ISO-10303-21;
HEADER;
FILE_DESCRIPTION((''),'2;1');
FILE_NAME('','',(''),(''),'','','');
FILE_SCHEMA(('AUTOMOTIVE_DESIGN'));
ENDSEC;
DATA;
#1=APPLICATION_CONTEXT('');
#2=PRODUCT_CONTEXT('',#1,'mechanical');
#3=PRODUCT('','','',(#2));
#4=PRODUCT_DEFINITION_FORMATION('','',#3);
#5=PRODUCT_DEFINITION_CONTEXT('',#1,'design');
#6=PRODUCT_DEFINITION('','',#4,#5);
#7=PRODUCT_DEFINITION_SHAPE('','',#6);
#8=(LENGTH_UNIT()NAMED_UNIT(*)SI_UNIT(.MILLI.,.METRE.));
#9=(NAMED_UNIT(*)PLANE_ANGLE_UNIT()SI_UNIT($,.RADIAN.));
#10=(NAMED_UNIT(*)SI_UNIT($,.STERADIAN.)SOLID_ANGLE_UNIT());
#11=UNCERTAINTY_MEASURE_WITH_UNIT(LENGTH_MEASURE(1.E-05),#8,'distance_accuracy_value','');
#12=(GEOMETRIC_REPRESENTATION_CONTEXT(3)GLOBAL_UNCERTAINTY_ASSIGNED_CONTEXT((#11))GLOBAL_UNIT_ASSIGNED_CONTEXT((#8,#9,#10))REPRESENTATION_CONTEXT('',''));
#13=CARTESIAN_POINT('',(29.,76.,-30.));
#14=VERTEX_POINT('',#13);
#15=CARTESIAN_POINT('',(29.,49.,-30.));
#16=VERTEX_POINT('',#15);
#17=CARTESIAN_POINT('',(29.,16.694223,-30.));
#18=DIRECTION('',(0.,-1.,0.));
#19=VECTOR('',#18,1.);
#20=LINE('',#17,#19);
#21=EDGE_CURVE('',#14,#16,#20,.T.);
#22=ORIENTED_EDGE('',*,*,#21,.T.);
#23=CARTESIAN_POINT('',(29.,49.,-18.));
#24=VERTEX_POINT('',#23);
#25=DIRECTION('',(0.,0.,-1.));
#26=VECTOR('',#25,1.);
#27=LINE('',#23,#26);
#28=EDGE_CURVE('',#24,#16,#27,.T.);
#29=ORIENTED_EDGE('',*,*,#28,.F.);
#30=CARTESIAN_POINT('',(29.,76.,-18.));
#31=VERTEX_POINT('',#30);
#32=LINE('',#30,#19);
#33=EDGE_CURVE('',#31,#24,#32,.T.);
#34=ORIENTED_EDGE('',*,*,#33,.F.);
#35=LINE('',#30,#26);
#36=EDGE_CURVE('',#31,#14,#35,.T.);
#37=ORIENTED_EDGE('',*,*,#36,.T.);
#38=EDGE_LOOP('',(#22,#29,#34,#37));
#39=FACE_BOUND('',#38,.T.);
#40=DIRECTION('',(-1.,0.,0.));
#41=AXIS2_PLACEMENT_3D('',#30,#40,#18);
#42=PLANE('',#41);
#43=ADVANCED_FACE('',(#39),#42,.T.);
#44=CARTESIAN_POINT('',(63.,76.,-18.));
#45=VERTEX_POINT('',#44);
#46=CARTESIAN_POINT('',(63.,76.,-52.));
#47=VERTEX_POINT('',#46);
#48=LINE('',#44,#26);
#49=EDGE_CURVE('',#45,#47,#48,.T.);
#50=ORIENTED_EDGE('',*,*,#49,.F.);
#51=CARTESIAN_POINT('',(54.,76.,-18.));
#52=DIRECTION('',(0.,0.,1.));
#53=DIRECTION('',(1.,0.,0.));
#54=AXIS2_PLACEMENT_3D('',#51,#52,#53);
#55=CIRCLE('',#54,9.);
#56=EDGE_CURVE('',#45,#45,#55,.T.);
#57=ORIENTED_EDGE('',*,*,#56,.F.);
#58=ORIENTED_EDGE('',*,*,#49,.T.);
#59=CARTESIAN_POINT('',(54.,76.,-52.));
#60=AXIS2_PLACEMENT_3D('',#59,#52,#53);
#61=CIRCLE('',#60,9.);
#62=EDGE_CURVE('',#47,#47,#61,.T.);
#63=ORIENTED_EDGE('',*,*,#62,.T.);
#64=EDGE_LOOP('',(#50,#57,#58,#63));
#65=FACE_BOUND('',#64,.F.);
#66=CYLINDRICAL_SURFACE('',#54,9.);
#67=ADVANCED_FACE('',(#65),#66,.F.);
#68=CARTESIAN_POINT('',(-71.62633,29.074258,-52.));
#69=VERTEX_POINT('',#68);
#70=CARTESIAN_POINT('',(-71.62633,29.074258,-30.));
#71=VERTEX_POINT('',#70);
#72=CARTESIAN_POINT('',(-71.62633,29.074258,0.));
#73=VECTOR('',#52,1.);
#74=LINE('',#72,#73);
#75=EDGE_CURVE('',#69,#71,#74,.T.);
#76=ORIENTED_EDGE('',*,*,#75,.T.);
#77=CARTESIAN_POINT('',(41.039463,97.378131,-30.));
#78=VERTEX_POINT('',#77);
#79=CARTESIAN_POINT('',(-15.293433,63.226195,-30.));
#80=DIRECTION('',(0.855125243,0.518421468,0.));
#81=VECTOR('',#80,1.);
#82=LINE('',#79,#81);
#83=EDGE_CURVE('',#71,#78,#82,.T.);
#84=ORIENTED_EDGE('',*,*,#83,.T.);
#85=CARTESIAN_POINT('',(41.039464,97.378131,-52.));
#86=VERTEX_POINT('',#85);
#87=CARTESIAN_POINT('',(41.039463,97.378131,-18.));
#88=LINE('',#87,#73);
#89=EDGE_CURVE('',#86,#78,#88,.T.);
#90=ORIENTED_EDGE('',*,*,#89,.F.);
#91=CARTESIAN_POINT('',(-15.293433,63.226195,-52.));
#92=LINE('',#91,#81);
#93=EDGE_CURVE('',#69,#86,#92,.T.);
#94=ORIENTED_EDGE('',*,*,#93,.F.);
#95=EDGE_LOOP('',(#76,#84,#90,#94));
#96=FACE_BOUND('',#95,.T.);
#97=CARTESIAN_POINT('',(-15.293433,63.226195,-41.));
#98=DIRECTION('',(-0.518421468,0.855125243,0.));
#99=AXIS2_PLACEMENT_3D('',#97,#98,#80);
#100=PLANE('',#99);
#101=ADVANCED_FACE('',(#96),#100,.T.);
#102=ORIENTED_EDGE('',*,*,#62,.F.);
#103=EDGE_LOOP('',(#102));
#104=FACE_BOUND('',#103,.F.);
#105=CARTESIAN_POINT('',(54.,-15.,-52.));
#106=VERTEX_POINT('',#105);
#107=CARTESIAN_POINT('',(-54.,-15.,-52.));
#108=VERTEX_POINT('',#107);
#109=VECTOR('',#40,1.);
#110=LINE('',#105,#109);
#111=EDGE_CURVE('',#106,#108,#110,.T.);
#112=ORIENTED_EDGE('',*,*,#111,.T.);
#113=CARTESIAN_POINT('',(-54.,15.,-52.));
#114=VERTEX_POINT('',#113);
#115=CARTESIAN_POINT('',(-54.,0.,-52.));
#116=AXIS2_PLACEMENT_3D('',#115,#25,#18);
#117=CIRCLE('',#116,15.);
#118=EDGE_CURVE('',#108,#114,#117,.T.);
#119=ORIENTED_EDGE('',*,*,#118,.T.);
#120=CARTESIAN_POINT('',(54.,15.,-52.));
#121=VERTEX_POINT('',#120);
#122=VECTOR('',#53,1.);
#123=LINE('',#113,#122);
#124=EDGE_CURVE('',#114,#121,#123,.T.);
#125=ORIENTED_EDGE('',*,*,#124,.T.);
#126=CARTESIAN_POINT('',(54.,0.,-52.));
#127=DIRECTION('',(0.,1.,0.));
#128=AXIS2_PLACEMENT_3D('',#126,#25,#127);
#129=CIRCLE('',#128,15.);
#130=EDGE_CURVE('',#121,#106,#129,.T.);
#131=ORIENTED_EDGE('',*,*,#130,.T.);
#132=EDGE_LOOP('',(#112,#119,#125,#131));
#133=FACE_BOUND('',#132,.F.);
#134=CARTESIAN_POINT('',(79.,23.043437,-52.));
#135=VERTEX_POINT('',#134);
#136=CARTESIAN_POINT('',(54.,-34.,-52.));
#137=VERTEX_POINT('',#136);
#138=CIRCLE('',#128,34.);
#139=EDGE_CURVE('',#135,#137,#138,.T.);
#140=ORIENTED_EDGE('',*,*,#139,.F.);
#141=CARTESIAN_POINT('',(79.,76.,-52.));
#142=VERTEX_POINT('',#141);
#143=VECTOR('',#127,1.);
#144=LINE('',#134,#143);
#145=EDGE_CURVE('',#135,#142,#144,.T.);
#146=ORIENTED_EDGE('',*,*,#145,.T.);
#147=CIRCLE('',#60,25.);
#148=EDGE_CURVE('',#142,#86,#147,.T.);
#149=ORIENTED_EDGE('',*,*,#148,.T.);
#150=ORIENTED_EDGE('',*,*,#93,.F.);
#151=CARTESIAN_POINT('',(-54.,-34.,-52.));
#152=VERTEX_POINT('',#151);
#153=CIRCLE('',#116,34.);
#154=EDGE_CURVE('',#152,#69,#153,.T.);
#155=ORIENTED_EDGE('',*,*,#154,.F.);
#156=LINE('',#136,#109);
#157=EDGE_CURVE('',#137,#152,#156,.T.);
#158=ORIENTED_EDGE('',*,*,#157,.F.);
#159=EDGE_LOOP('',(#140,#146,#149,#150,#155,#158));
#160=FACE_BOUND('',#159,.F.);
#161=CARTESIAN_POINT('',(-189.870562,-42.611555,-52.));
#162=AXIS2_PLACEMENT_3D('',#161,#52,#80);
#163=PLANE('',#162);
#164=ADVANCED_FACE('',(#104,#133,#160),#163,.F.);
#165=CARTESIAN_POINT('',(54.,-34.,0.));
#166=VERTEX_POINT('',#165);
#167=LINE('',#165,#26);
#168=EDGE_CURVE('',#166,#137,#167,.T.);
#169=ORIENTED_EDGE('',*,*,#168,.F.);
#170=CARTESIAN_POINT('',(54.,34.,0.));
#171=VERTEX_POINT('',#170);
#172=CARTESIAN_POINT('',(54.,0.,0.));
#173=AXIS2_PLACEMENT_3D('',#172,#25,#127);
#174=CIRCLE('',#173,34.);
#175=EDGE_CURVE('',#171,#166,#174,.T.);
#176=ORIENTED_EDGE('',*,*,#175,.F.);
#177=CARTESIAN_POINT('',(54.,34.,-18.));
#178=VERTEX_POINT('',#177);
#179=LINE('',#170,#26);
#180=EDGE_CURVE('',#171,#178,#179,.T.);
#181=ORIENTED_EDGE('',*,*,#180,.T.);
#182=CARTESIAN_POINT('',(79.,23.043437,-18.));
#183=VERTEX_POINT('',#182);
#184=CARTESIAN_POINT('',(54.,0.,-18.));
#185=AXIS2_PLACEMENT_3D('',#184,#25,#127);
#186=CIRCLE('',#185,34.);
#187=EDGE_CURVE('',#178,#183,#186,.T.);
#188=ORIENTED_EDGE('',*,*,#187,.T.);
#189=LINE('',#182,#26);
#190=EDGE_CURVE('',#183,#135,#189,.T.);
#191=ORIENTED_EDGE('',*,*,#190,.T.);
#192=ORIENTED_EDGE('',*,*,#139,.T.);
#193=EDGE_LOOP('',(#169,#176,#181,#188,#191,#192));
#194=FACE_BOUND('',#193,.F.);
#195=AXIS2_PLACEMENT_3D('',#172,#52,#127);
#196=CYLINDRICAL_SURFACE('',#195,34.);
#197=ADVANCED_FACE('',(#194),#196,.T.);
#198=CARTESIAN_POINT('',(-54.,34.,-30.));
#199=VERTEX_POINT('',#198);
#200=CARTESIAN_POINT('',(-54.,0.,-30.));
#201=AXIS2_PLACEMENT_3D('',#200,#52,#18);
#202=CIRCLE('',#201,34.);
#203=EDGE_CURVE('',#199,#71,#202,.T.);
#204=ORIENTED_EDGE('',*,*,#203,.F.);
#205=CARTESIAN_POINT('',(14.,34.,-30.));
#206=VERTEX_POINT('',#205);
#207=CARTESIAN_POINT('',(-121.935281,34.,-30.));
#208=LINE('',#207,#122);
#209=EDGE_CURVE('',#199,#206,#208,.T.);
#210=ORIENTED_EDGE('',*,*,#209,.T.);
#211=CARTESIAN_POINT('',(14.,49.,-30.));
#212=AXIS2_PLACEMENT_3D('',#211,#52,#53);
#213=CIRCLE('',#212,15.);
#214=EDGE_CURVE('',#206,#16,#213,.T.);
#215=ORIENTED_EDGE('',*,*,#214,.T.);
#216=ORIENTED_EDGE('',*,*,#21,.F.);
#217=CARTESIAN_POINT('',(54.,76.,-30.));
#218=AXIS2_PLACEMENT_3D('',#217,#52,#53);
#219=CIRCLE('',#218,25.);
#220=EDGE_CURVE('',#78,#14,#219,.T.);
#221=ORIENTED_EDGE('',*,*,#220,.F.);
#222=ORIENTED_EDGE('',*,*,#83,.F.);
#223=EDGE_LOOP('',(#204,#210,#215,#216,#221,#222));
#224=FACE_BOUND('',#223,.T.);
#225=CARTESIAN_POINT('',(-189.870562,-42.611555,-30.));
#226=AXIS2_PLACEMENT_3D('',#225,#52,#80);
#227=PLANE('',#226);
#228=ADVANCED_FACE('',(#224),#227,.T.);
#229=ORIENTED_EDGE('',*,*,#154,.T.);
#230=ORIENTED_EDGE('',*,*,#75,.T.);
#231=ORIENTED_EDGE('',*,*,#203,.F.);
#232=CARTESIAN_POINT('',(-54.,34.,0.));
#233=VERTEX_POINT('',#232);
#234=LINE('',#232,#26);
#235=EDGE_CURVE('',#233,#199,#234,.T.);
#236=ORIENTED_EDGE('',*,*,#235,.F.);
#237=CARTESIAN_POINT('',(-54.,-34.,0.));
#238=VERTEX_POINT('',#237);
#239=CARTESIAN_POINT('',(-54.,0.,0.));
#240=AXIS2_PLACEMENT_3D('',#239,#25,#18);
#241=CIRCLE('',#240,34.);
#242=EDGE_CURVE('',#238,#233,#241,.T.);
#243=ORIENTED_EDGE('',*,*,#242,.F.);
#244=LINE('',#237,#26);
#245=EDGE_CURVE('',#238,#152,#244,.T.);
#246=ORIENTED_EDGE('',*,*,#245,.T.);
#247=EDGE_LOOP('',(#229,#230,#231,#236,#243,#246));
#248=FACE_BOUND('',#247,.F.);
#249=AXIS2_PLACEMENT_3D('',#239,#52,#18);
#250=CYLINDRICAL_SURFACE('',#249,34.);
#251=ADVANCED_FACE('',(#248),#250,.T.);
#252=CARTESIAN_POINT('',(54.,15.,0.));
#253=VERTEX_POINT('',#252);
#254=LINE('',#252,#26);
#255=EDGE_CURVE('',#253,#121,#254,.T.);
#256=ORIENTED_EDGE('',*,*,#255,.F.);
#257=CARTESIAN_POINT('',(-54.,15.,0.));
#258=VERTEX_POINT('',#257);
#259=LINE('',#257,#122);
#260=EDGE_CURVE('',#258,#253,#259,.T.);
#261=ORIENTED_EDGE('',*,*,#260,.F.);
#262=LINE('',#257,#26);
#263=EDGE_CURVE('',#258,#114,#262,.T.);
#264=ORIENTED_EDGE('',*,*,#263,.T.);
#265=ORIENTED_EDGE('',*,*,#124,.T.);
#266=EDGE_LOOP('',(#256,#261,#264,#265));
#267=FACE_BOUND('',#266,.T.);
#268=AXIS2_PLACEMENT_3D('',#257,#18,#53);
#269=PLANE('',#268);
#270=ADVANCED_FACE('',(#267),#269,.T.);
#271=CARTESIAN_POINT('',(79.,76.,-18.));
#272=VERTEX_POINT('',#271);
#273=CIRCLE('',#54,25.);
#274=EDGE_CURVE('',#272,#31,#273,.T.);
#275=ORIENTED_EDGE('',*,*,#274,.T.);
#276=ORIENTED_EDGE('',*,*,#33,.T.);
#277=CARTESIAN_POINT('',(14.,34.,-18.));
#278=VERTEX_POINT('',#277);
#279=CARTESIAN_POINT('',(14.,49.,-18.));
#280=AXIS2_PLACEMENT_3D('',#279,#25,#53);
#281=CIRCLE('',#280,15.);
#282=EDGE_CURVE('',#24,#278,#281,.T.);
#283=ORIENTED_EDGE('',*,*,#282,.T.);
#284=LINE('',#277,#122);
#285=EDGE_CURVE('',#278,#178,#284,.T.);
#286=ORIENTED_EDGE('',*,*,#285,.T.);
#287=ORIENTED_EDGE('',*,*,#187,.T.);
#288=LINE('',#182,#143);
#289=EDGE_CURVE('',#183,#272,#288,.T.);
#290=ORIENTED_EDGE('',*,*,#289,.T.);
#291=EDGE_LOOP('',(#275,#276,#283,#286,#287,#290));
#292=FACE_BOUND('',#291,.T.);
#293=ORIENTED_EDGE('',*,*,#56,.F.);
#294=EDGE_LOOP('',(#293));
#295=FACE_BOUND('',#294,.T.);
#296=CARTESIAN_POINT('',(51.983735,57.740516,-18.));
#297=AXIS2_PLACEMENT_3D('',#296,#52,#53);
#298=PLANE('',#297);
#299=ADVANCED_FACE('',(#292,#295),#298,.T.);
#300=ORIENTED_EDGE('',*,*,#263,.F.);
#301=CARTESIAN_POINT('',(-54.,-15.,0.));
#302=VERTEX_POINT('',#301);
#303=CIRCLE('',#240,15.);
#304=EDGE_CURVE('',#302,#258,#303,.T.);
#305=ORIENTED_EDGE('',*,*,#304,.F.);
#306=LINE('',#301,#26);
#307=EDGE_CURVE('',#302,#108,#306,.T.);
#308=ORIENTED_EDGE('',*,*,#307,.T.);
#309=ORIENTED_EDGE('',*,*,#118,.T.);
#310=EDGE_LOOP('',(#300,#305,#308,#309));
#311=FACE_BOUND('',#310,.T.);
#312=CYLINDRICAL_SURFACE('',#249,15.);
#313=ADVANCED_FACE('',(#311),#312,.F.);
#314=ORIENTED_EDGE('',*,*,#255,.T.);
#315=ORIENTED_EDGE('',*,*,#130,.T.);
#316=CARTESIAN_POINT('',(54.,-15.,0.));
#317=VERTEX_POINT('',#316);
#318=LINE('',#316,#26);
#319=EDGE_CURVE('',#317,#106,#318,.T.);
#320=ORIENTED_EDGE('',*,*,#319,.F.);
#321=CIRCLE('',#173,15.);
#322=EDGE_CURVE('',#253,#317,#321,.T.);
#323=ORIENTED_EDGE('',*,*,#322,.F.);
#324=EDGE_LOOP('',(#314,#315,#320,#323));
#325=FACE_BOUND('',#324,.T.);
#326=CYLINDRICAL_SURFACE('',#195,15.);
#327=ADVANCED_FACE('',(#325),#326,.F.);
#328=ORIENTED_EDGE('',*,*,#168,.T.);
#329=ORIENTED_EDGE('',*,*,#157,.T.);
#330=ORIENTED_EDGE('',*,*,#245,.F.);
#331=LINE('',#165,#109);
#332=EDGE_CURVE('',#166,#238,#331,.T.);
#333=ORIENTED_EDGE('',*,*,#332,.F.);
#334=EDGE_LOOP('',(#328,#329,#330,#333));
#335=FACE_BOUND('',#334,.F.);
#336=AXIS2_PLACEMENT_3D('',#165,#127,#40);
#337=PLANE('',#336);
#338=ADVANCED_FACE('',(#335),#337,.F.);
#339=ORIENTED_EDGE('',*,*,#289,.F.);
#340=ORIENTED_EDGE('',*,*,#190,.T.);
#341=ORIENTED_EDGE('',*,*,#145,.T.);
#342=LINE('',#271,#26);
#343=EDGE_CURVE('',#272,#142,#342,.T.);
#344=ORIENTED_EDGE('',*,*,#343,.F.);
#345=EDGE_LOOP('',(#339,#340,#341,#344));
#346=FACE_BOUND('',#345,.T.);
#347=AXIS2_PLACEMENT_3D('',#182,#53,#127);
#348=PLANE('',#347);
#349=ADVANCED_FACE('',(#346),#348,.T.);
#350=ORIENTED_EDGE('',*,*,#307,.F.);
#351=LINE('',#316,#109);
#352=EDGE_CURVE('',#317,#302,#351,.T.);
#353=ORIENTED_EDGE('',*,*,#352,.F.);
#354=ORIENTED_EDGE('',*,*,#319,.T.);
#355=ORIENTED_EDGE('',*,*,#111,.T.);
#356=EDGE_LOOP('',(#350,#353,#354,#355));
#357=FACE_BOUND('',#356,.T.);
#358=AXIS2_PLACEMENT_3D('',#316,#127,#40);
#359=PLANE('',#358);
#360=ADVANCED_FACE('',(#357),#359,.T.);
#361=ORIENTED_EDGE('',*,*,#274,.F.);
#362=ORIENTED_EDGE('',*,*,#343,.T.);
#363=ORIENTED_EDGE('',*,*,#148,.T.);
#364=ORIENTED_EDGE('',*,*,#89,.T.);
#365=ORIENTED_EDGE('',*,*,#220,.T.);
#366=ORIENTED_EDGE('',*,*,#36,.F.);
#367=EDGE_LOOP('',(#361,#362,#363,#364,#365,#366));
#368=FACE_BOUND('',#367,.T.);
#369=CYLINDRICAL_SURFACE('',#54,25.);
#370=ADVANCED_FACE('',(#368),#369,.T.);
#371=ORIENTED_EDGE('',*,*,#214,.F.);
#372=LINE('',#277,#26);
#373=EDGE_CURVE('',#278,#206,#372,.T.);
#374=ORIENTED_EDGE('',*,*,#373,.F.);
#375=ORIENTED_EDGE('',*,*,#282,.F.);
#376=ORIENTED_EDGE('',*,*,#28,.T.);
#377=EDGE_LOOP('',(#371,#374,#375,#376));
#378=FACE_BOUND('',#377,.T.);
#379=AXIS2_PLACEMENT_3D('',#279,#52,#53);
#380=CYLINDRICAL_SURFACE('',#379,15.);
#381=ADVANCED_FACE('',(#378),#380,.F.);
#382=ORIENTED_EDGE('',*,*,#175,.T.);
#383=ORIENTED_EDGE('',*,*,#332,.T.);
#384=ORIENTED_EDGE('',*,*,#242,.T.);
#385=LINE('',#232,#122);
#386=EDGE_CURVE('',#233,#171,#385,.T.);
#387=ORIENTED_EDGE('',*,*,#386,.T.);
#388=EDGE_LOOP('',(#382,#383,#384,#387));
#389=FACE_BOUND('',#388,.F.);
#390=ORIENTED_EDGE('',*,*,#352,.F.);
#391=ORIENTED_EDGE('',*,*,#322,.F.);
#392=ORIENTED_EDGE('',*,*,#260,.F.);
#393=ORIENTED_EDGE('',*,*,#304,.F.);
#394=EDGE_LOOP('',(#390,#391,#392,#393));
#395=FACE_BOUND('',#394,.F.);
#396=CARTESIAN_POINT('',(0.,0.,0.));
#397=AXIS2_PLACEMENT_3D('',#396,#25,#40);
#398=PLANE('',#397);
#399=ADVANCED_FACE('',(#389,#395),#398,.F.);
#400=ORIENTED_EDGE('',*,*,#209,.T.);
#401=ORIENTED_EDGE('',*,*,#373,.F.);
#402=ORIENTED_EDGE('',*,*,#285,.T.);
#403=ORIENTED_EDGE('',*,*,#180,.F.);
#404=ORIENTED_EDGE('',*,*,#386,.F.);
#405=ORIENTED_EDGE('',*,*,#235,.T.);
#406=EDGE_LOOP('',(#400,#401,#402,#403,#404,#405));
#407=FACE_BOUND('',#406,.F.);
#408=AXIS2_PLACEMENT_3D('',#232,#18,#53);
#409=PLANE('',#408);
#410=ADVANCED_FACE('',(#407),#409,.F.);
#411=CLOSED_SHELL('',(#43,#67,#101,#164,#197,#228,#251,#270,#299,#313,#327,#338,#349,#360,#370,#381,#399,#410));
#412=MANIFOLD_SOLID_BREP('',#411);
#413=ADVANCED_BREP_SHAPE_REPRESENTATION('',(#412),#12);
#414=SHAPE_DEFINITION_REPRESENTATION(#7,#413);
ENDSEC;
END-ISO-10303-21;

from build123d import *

# Parameters (mm, degrees)
Y_KSEKLIK_EKSTR_ZYON1_DEPTH = 52
IZIM3_R                     = 9
Y_KSEKLIK_EKSTR_ZYON2_DEPTH = 34
FEDER1_REACH                = 139.277
IZIM4_WALL_W                = 408.307741914
IZIM4_WALL_H                = 22


with BuildPart() as part:
    # Çizim1 → Yükseklik-Ekstrüzyon1 (new body)
    with BuildSketch(Plane.XY):
        with BuildLine():
            Line((-54, 34), (54, 34))
            ThreePointArc((54, 34), (88, 0), (54, -34))
            Line((54, -34), (-54, -34))
            ThreePointArc((-54, -34), (-88, 0), (-54, 34))
        make_face()
        with BuildLine():
            Line((-54, 15), (54, 15))
            ThreePointArc((54, 15), (69, 0), (54, -15))
            Line((54, -15), (-54, -15))
            ThreePointArc((-54, -15), (-69, 0), (-54, 15))
        make_face(mode=Mode.SUBTRACT)
    extrude(amount=-Y_KSEKLIK_EKSTR_ZYON1_DEPTH)

    # Çizim3 → Yükseklik-Ekstrüzyon2 (add)
    with BuildSketch(Plane.XY.offset(-18)):
        with BuildLine():
            ThreePointArc((79, 76), (54, 101), (29, 76))
            Line((29, 76), (29, 49))
            ThreePointArc((29, 49), (24.606601718, 38.393398282), (14, 34))
            Line((14, 34), (54, 34))
            ThreePointArc((54, 34), (67.647767834, 31.140623519), (79, 23.043437244))
            Line((79, 23.043437244), (79, 76))
        make_face()
        with Locations((54, 76)):
            Circle(IZIM3_R, mode=Mode.SUBTRACT)
    extrude(amount=-Y_KSEKLIK_EKSTR_ZYON2_DEPTH)

    # Çizim4 wall → Feder1 (add, up to next)
    with BuildSketch(Plane(origin=(-15.293433294, 63.226194681, -30), x_dir=(0.855125243419, 0.518421467599, 0), z_dir=(-0.518421467599, 0.855125243419, 0)), mode=Mode.PRIVATE) as feder1_sk1:
        with Locations((0, 11)):
            Rectangle(IZIM4_WALL_W, IZIM4_WALL_H)
    feder1_tool1 = extrude(feder1_sk1.sketch, amount=-FEDER1_REACH, mode=Mode.PRIVATE) - part.part
    add(feder1_tool1.solids().sort_by_distance((-15.293433294, 63.226194681, -30))[0])


solid = part.part
